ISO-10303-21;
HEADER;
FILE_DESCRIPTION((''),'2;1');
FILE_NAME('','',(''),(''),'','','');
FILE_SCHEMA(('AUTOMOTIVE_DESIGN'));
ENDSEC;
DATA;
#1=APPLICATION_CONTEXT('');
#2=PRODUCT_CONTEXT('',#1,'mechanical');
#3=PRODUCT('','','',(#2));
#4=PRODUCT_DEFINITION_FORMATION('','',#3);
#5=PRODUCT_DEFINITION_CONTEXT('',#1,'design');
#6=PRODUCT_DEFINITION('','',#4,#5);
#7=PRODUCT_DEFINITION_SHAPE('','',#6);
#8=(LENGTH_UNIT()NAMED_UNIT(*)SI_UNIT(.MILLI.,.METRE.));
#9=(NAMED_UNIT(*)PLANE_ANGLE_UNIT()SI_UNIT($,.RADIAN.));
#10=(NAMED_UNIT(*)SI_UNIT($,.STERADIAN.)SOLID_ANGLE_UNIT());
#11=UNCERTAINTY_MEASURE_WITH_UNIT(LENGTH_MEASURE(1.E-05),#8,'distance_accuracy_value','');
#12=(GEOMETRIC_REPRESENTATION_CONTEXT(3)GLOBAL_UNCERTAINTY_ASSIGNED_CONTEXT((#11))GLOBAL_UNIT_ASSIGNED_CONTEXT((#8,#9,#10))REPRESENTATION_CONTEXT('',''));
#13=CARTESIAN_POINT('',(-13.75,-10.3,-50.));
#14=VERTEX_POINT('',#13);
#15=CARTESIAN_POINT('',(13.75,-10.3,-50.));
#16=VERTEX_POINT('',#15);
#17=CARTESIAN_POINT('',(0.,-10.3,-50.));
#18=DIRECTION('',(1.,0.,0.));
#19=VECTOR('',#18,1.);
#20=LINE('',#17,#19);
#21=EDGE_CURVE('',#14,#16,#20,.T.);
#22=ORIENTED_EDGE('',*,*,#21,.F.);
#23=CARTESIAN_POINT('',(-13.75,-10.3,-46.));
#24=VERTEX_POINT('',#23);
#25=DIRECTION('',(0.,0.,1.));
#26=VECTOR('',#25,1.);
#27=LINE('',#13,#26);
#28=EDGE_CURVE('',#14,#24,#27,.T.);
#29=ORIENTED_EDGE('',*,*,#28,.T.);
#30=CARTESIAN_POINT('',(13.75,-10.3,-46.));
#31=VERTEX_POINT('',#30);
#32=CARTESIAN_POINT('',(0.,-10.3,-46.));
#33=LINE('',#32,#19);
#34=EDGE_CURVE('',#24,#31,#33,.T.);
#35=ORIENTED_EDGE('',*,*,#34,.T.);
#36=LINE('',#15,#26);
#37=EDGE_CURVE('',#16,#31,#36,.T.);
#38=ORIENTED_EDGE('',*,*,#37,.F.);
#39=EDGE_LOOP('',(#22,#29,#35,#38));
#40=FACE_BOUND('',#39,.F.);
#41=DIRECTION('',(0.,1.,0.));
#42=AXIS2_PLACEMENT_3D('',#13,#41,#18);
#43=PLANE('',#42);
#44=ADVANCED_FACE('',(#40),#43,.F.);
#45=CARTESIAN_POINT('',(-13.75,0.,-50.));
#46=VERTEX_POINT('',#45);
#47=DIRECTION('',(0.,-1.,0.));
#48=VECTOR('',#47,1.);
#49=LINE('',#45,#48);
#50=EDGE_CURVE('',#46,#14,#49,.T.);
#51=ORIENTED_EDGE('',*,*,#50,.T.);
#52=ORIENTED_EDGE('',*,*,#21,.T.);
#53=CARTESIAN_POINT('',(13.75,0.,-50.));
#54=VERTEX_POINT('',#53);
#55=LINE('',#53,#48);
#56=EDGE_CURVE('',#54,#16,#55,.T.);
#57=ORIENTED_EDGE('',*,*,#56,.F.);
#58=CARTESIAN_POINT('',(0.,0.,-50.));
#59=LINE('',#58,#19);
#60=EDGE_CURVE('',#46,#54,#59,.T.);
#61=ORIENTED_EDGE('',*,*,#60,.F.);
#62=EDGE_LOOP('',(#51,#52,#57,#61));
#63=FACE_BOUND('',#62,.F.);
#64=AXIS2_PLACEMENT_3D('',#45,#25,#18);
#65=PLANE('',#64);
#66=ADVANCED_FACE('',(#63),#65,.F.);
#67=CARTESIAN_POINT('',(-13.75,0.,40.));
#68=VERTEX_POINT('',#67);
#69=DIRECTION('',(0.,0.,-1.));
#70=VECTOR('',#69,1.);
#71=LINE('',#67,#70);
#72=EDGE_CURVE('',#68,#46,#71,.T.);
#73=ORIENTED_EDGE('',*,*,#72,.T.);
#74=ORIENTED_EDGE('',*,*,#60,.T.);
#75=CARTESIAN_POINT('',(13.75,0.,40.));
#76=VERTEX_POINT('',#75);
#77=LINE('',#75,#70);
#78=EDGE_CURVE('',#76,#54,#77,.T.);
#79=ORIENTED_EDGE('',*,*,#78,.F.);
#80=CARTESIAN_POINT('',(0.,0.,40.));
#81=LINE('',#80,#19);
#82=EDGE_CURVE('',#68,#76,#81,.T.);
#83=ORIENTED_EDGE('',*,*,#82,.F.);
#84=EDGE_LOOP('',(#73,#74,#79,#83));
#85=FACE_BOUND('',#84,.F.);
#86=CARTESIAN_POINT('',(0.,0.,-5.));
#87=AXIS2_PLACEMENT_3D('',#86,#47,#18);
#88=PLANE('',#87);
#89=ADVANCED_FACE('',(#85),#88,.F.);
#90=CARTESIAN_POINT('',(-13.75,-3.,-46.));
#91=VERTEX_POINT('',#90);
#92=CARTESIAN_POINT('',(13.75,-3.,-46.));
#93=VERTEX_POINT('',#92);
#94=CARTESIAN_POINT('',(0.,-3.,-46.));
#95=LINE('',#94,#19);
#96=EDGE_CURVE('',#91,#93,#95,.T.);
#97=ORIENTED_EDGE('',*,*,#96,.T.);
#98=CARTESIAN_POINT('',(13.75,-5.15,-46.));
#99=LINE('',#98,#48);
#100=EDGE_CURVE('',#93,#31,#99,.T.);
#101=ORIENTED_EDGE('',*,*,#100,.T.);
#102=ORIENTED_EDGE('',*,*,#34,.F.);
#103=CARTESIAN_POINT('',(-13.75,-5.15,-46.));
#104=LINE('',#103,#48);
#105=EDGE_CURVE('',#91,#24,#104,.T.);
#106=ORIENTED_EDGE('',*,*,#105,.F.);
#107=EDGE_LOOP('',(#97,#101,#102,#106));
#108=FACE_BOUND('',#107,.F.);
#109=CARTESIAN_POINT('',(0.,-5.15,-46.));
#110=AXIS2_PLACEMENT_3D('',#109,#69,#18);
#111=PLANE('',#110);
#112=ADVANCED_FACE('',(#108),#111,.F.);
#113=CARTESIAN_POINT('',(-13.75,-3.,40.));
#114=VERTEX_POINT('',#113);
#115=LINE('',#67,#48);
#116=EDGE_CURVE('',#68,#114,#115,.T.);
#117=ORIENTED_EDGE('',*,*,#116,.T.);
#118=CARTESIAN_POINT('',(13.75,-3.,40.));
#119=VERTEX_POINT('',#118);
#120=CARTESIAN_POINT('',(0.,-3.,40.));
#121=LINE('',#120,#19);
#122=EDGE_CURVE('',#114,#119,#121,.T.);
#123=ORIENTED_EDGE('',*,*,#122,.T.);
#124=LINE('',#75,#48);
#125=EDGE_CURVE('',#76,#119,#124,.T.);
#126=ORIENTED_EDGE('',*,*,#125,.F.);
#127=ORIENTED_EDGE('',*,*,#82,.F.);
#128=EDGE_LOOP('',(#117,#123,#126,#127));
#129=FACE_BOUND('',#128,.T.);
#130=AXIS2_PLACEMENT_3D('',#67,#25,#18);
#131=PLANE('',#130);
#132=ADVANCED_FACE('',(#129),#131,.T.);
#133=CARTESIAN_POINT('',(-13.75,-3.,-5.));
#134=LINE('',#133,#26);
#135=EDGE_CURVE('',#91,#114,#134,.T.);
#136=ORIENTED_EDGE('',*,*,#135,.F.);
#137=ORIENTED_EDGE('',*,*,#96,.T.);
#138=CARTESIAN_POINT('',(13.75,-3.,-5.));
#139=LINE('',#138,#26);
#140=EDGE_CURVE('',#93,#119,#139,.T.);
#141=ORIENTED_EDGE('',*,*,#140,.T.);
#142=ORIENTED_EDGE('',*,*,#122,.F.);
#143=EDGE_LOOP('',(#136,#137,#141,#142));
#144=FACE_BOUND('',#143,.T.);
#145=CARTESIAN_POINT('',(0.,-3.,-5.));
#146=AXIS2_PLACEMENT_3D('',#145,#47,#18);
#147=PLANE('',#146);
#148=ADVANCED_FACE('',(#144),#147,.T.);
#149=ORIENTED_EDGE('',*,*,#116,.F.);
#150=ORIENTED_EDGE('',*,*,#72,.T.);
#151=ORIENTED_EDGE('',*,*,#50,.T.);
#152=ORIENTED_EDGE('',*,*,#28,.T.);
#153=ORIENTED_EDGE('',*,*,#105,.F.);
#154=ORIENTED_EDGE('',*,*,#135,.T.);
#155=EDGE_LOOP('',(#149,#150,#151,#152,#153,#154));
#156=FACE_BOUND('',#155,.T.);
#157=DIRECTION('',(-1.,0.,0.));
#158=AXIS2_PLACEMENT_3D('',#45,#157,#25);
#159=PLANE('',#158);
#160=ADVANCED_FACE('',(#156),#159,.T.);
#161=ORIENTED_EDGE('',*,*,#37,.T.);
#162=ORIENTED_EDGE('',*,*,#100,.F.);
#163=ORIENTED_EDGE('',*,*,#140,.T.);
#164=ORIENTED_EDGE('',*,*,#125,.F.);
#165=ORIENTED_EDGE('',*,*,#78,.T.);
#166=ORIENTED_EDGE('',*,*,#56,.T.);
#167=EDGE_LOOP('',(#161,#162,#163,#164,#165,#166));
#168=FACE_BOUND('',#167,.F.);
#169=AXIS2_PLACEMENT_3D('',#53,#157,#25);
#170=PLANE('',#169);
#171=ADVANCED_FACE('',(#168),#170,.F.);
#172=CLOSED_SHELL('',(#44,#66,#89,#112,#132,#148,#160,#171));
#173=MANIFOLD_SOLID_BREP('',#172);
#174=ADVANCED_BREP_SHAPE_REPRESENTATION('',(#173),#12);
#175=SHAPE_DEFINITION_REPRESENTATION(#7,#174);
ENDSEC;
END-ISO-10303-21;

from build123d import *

# Parameters (mm, degrees)
F0_W     = 27.5
F0_H     = 90
F1_DEPTH = 3
F2_W     = 27.5
F2_H     = 10.3
F3_DEPTH = 4


with BuildPart() as f1:
    # F0 (on Front) → F1 (new body)
    with BuildSketch(Plane.XZ):
        with Locations((0, -5)):
            Rectangle(F0_W, F0_H)
    extrude(amount=F1_DEPTH)

    # F2 (on face) → F3 (join)
    with BuildSketch(Plane(origin=(0, 0, -50), x_dir=(1, 0, 0), z_dir=(0, 0, -1))):
        with Locations((0, 5.15)):
            Rectangle(F2_W, F2_H)
    extrude(amount=-F3_DEPTH)


solid = f1.part
